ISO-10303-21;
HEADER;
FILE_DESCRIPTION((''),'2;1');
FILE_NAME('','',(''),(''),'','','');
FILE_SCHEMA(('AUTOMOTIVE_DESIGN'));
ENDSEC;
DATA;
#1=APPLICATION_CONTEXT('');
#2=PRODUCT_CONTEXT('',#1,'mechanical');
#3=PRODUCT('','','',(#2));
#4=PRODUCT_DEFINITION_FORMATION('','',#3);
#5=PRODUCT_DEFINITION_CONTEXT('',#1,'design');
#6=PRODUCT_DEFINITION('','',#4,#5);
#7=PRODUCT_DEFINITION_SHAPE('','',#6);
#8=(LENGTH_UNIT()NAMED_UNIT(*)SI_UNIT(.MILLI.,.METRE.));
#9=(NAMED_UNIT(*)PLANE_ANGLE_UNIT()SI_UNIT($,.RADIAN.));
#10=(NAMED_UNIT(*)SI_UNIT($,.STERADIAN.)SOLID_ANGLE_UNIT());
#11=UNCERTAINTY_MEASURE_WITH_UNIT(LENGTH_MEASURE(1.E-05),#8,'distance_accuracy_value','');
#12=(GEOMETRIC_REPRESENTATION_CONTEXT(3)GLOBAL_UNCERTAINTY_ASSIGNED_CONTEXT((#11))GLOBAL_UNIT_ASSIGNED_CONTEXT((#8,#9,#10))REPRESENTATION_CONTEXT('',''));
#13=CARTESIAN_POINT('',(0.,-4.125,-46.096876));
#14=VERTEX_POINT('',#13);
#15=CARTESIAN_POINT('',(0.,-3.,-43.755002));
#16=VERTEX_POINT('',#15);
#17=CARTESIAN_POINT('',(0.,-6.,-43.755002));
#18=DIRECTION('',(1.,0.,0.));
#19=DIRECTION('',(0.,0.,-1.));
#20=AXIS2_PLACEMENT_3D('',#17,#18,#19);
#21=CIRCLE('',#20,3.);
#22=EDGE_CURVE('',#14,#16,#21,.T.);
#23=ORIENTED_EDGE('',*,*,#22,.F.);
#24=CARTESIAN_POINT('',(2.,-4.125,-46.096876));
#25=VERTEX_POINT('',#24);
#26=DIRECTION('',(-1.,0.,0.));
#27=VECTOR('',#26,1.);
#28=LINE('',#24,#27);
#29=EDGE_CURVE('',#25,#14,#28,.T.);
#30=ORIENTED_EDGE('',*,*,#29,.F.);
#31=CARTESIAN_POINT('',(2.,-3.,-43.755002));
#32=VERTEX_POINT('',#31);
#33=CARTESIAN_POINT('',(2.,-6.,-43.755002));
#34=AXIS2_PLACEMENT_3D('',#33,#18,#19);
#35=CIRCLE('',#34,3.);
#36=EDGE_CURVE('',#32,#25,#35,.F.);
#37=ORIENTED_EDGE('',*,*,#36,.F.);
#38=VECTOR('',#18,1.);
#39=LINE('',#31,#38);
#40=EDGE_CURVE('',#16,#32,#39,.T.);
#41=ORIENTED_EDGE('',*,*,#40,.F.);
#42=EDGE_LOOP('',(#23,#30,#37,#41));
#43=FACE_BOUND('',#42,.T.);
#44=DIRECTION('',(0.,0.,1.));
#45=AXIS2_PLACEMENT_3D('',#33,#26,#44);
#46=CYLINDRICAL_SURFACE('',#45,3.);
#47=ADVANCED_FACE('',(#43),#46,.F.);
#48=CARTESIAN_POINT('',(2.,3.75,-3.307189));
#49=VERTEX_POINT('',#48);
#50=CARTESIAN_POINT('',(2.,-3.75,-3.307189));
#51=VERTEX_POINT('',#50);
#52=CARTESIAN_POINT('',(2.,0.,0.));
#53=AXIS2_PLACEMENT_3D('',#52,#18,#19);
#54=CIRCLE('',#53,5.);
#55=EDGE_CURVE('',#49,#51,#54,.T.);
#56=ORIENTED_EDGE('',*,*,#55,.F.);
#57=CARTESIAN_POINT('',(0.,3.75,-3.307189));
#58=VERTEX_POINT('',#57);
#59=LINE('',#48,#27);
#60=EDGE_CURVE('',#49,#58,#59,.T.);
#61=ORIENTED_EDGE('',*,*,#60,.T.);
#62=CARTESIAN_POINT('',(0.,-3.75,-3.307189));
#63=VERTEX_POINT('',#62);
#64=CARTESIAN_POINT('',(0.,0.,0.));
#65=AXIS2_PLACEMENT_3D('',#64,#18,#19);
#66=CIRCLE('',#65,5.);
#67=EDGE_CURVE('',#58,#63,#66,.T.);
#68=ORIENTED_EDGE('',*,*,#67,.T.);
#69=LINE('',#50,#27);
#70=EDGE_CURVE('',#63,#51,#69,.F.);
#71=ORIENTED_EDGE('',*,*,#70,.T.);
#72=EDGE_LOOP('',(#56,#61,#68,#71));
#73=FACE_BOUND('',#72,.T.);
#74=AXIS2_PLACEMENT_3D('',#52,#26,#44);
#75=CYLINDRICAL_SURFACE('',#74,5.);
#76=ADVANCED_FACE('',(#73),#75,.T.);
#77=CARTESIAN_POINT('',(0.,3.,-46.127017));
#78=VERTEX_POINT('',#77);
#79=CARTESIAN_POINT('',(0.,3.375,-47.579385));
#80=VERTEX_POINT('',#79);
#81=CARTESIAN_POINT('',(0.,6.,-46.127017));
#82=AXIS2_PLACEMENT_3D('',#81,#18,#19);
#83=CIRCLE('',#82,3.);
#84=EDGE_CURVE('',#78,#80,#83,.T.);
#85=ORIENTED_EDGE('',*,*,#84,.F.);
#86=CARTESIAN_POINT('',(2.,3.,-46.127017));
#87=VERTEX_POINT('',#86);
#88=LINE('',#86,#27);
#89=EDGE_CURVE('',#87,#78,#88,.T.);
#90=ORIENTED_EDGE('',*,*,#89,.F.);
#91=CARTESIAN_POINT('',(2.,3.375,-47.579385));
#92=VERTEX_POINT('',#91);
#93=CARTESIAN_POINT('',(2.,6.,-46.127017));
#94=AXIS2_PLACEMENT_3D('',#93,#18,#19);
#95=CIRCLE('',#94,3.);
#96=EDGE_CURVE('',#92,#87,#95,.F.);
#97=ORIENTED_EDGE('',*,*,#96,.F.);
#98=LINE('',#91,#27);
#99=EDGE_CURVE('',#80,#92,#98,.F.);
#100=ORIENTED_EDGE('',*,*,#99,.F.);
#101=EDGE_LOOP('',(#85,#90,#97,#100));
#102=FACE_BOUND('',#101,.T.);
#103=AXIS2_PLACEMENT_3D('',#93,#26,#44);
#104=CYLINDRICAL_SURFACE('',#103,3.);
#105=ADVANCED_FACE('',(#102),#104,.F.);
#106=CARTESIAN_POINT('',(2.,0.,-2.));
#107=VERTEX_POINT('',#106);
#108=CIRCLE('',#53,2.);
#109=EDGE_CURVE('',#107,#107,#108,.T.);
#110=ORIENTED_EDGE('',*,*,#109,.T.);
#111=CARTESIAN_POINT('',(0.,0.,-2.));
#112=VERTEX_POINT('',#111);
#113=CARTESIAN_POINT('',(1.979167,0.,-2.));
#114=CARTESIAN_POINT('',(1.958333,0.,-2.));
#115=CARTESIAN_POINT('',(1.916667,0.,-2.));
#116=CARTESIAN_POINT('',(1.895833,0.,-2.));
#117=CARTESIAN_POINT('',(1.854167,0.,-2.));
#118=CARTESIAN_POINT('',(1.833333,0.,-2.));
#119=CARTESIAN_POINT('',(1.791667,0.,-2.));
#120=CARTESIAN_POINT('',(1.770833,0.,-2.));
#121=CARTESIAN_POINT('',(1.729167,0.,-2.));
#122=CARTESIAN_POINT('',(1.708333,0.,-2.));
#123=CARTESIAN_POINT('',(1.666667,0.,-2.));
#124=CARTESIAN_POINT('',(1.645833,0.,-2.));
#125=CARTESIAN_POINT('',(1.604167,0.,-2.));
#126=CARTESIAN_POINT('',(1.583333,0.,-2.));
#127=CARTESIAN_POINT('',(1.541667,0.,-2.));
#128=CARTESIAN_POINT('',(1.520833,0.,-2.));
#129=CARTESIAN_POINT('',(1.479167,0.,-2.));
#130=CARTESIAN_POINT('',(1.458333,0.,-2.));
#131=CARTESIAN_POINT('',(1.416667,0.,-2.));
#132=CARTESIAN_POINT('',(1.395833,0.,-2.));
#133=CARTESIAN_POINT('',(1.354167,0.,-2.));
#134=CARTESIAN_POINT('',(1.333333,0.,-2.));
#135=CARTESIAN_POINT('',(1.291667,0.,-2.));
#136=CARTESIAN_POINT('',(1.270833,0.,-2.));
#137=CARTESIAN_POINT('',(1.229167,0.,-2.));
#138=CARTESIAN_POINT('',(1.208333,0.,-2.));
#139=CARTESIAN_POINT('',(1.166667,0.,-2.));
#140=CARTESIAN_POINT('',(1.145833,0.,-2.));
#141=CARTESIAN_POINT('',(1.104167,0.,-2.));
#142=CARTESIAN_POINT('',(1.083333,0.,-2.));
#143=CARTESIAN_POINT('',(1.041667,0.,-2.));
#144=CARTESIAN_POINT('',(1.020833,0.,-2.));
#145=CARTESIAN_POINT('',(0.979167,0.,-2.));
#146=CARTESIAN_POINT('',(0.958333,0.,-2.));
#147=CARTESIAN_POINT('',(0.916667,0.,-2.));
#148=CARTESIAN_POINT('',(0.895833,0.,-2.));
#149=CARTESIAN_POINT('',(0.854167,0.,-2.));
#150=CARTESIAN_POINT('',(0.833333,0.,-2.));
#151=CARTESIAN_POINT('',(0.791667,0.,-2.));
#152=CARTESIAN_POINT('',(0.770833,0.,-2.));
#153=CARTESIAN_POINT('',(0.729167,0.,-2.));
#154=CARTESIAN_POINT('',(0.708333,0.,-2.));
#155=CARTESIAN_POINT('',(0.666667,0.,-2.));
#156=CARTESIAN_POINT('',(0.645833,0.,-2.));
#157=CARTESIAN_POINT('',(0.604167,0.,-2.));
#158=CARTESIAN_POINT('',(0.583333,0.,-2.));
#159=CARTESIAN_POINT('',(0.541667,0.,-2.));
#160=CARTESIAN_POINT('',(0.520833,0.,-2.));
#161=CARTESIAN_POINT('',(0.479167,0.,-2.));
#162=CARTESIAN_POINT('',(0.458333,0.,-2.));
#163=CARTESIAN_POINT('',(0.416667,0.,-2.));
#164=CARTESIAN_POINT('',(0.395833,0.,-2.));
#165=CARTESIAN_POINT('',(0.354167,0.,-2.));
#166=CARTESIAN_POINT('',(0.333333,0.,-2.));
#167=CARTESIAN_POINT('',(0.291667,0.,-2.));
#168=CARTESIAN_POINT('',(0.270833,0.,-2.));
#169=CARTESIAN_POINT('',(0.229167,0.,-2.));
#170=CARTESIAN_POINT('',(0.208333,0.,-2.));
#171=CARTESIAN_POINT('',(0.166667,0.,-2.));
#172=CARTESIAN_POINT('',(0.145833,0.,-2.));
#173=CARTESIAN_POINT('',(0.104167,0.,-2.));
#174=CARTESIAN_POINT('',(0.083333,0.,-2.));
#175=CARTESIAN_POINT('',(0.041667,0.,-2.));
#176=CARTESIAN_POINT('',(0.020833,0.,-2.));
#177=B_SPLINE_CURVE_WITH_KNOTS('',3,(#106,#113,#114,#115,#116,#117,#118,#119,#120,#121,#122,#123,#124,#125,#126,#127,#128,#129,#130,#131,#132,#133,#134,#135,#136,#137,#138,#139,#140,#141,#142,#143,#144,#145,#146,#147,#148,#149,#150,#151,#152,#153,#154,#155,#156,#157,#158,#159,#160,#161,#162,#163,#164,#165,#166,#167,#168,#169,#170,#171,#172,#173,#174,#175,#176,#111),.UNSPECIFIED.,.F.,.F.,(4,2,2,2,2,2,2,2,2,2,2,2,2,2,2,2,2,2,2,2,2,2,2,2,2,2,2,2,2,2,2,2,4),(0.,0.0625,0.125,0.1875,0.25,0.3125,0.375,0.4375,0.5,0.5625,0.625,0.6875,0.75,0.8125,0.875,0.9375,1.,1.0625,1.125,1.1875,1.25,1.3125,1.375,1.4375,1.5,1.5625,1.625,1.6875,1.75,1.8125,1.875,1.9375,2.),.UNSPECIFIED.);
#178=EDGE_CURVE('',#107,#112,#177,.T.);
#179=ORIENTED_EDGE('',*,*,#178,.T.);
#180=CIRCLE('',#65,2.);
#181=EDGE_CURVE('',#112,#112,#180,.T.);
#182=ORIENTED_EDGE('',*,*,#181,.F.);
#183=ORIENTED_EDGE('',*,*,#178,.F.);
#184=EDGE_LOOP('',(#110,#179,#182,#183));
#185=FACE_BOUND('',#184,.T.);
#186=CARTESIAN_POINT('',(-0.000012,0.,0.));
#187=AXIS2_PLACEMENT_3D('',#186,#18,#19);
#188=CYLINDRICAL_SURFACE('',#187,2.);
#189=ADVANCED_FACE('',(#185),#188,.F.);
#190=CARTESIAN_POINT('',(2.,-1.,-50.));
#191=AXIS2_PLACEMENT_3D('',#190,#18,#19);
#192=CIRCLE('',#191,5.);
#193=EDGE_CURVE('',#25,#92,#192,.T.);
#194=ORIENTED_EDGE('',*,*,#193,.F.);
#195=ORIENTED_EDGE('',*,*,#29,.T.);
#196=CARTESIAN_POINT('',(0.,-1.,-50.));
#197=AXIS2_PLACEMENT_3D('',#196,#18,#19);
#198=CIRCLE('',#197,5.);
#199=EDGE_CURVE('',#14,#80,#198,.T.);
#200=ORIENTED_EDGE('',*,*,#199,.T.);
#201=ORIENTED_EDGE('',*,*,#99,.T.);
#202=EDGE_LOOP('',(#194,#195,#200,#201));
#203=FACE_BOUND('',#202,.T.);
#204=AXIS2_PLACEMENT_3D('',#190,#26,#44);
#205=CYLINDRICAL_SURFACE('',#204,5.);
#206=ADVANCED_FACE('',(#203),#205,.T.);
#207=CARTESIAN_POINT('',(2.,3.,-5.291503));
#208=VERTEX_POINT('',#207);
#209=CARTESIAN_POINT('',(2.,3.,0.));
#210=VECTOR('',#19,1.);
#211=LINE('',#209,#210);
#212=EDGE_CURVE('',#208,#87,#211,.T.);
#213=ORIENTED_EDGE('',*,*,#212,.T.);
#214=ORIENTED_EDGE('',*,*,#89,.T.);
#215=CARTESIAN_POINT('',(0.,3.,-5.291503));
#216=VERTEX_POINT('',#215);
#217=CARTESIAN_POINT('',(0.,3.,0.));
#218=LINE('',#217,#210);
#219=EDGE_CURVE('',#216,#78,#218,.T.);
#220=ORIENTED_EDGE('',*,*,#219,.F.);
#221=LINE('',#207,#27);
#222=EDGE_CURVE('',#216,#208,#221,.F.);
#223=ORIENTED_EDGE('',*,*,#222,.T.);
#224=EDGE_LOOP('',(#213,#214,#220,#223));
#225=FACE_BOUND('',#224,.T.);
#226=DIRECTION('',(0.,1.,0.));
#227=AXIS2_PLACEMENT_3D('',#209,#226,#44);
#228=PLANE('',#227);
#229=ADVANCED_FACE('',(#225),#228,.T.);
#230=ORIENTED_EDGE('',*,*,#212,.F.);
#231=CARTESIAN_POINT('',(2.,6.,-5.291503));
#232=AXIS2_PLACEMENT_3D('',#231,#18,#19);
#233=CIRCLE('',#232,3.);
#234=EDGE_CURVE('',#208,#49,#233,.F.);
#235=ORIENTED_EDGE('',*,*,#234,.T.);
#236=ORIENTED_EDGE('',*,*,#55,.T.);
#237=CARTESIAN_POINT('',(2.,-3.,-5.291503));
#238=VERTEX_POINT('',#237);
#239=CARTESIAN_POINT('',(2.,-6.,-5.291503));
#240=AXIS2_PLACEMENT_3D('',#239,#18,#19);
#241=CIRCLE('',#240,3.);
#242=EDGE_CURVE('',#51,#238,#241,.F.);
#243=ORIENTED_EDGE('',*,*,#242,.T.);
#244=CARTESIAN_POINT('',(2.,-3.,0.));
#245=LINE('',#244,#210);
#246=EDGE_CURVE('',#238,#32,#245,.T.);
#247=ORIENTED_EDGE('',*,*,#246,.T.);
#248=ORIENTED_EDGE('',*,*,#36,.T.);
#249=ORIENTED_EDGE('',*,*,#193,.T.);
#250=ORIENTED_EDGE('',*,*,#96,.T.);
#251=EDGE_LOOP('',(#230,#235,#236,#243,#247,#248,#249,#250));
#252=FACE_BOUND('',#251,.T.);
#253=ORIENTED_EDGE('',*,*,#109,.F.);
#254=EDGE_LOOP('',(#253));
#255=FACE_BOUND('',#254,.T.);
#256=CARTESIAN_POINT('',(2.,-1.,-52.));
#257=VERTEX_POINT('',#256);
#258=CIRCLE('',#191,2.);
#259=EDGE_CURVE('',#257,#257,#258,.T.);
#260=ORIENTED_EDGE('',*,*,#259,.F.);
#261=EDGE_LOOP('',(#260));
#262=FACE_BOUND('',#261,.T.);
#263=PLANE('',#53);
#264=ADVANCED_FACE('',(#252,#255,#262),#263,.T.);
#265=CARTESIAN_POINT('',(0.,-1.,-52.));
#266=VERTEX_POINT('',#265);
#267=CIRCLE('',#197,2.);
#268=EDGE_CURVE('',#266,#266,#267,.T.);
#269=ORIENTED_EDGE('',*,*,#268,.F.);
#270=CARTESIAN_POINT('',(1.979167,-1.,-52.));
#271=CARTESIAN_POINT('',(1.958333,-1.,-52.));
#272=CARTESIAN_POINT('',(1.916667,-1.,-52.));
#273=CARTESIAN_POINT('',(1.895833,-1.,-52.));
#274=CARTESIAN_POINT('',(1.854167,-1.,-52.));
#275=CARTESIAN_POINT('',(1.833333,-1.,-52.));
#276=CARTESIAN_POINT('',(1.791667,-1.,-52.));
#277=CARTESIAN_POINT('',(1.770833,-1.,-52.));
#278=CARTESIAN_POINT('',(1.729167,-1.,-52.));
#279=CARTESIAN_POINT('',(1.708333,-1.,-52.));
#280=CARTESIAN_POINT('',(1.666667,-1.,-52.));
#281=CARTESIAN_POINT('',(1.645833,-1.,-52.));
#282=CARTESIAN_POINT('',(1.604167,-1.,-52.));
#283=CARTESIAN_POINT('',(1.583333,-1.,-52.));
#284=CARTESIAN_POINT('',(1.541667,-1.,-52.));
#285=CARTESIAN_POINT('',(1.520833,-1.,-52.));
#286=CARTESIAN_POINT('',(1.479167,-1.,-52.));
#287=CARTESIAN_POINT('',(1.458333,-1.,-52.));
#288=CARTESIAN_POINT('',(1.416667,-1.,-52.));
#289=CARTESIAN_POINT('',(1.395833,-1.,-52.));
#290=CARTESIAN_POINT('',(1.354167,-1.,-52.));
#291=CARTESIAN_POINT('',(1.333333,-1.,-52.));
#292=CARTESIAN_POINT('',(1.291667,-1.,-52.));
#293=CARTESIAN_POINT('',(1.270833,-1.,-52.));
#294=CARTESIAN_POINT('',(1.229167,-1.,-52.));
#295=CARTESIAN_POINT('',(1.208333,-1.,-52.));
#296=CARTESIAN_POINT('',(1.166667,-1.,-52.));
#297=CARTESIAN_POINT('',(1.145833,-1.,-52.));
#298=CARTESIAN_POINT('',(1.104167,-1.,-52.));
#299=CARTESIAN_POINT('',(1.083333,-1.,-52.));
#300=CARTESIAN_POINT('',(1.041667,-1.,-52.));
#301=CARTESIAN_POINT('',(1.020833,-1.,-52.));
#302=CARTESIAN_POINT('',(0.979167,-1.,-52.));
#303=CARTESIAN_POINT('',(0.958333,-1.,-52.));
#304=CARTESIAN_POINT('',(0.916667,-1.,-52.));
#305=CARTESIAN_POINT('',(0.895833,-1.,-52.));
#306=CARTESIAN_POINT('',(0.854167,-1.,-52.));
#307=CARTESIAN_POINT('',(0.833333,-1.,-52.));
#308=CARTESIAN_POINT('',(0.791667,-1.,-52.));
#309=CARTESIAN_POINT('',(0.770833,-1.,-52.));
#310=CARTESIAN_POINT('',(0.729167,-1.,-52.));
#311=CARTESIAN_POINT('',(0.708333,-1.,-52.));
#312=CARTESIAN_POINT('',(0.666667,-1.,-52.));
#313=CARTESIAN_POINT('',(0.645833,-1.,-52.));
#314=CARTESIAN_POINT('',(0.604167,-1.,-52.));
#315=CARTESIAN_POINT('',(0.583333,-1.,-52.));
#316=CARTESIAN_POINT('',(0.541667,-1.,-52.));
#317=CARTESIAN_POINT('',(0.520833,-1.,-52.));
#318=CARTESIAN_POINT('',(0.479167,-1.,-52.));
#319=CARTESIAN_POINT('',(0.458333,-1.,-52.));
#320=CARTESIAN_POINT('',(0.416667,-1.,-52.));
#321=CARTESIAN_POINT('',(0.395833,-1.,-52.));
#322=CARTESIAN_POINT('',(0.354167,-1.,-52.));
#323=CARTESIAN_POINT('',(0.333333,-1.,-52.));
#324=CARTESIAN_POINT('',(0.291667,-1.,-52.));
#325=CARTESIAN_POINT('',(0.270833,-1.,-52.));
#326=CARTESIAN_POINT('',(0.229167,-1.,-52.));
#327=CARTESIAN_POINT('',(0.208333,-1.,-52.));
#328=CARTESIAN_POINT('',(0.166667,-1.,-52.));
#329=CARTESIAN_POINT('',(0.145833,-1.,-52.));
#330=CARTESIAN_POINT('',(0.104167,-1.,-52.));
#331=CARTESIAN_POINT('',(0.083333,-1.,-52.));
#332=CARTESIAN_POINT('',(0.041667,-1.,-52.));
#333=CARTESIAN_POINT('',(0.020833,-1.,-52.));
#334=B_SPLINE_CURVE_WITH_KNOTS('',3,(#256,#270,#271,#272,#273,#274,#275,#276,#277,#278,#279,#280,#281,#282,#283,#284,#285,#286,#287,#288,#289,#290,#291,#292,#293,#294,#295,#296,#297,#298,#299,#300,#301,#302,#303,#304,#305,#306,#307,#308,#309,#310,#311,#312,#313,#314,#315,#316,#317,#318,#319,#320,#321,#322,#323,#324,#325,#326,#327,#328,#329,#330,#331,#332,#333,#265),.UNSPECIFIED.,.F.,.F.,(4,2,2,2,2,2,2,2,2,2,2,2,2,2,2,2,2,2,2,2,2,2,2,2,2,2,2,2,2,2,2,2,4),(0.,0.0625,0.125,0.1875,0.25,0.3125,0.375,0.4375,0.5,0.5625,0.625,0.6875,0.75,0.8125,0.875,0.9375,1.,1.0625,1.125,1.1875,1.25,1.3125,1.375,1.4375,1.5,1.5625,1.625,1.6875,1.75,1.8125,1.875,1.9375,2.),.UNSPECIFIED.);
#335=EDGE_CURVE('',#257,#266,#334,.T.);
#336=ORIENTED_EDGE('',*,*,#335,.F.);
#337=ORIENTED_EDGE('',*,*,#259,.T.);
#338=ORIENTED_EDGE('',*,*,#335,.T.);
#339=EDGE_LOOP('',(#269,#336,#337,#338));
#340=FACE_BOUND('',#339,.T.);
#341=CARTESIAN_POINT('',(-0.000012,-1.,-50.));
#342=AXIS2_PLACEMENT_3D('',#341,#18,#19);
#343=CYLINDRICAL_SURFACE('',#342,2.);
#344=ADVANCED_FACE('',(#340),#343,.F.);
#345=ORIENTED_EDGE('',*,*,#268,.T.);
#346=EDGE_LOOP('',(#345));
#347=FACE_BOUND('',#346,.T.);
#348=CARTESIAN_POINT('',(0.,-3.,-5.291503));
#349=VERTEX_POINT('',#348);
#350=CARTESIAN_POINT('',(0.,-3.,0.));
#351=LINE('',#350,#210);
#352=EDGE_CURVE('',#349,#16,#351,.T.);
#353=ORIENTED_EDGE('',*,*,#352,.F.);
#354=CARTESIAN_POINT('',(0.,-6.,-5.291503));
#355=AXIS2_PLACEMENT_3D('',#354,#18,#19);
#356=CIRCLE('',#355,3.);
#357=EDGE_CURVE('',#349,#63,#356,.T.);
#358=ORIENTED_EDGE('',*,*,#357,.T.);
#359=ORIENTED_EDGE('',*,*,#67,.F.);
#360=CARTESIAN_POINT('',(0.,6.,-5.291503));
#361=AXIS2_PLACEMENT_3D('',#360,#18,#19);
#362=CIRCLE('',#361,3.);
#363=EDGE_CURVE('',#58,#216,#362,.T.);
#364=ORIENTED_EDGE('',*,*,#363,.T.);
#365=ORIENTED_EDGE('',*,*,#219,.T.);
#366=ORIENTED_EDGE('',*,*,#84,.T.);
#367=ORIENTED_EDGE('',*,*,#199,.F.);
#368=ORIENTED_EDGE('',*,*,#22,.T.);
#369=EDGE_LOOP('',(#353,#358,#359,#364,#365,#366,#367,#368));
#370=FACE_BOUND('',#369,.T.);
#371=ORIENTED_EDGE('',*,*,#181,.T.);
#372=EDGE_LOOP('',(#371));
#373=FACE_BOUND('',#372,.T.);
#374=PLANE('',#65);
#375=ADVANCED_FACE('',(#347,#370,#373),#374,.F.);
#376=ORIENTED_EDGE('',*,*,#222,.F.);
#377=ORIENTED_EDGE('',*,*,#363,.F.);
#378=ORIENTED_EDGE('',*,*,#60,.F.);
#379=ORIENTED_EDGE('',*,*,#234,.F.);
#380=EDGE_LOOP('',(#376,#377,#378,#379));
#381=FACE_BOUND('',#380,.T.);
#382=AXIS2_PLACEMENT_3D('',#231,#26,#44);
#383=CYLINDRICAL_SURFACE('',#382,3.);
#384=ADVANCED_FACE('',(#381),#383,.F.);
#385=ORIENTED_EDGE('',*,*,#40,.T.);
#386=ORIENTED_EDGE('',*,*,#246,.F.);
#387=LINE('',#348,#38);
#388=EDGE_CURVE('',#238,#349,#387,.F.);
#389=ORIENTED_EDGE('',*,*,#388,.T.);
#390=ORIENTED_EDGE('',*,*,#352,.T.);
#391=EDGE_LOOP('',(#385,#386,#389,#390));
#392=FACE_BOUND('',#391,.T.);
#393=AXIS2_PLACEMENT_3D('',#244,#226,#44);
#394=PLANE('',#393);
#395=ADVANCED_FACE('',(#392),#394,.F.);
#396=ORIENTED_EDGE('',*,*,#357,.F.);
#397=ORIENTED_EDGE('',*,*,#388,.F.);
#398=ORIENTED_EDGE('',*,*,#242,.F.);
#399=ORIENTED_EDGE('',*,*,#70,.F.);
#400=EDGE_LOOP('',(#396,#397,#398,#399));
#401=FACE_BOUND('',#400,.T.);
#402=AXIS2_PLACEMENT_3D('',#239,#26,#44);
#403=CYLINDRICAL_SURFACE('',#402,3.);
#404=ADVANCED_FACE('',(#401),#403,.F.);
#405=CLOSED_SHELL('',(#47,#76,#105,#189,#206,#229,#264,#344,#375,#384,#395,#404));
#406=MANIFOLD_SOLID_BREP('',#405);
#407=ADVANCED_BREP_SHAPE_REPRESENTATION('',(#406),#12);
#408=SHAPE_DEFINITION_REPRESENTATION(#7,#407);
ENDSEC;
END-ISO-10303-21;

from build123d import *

# Parameters (mm, degrees)
SKETCH_1_R               = 5
SKETCH_1_W               = 50
SKETCH_1_H               = 6
EXTRUDE_1_DEPTH          = 2
CUT_EXTRUDE_2_DEPTH      = 56.362442143
CUT_EXTRUDE_2_DEPTH_BACK = 56.362442143
SKETCH_1_3_R             = 2
FILLET_1_R               = 3


with BuildPart() as part:
    # 草图1 → 凸台-拉伸1 (new body)
    with BuildSketch(Plane(origin=(0, 0, 0), x_dir=(0, 0, -1), z_dir=(1, 0, 0))):
        Circle(SKETCH_1_R)
        with Locations((50, -1)):
            Circle(SKETCH_1_R)
        with Locations((25, 0)):
            Rectangle(SKETCH_1_W, SKETCH_1_H)
    extrude(amount=EXTRUDE_1_DEPTH)

    # 草图1<3> → 切除-拉伸2 (cut, two sides: drawn at the far end of the back side and taken through both)
    with BuildSketch(Plane(origin=(0, 0, 0), x_dir=(0, 0, -1), z_dir=(1, 0, 0)).offset(-CUT_EXTRUDE_2_DEPTH_BACK)):
        Circle(SKETCH_1_3_R)
        with Locations((50, -1)):
            Circle(SKETCH_1_3_R)
    extrude(amount=CUT_EXTRUDE_2_DEPTH + CUT_EXTRUDE_2_DEPTH_BACK, mode=Mode.SUBTRACT)

    # 圆角1
    fillet_1_edges = [part.edges().sort_by_distance(p)[0] for p in [
        (1, -3, -45.417424305),
        (1, 3, -47),
        (1, 3, -4),
        (1, -3, -4),
    ]]
    fillet(fillet_1_edges, radius=FILLET_1_R)


solid = part.part
